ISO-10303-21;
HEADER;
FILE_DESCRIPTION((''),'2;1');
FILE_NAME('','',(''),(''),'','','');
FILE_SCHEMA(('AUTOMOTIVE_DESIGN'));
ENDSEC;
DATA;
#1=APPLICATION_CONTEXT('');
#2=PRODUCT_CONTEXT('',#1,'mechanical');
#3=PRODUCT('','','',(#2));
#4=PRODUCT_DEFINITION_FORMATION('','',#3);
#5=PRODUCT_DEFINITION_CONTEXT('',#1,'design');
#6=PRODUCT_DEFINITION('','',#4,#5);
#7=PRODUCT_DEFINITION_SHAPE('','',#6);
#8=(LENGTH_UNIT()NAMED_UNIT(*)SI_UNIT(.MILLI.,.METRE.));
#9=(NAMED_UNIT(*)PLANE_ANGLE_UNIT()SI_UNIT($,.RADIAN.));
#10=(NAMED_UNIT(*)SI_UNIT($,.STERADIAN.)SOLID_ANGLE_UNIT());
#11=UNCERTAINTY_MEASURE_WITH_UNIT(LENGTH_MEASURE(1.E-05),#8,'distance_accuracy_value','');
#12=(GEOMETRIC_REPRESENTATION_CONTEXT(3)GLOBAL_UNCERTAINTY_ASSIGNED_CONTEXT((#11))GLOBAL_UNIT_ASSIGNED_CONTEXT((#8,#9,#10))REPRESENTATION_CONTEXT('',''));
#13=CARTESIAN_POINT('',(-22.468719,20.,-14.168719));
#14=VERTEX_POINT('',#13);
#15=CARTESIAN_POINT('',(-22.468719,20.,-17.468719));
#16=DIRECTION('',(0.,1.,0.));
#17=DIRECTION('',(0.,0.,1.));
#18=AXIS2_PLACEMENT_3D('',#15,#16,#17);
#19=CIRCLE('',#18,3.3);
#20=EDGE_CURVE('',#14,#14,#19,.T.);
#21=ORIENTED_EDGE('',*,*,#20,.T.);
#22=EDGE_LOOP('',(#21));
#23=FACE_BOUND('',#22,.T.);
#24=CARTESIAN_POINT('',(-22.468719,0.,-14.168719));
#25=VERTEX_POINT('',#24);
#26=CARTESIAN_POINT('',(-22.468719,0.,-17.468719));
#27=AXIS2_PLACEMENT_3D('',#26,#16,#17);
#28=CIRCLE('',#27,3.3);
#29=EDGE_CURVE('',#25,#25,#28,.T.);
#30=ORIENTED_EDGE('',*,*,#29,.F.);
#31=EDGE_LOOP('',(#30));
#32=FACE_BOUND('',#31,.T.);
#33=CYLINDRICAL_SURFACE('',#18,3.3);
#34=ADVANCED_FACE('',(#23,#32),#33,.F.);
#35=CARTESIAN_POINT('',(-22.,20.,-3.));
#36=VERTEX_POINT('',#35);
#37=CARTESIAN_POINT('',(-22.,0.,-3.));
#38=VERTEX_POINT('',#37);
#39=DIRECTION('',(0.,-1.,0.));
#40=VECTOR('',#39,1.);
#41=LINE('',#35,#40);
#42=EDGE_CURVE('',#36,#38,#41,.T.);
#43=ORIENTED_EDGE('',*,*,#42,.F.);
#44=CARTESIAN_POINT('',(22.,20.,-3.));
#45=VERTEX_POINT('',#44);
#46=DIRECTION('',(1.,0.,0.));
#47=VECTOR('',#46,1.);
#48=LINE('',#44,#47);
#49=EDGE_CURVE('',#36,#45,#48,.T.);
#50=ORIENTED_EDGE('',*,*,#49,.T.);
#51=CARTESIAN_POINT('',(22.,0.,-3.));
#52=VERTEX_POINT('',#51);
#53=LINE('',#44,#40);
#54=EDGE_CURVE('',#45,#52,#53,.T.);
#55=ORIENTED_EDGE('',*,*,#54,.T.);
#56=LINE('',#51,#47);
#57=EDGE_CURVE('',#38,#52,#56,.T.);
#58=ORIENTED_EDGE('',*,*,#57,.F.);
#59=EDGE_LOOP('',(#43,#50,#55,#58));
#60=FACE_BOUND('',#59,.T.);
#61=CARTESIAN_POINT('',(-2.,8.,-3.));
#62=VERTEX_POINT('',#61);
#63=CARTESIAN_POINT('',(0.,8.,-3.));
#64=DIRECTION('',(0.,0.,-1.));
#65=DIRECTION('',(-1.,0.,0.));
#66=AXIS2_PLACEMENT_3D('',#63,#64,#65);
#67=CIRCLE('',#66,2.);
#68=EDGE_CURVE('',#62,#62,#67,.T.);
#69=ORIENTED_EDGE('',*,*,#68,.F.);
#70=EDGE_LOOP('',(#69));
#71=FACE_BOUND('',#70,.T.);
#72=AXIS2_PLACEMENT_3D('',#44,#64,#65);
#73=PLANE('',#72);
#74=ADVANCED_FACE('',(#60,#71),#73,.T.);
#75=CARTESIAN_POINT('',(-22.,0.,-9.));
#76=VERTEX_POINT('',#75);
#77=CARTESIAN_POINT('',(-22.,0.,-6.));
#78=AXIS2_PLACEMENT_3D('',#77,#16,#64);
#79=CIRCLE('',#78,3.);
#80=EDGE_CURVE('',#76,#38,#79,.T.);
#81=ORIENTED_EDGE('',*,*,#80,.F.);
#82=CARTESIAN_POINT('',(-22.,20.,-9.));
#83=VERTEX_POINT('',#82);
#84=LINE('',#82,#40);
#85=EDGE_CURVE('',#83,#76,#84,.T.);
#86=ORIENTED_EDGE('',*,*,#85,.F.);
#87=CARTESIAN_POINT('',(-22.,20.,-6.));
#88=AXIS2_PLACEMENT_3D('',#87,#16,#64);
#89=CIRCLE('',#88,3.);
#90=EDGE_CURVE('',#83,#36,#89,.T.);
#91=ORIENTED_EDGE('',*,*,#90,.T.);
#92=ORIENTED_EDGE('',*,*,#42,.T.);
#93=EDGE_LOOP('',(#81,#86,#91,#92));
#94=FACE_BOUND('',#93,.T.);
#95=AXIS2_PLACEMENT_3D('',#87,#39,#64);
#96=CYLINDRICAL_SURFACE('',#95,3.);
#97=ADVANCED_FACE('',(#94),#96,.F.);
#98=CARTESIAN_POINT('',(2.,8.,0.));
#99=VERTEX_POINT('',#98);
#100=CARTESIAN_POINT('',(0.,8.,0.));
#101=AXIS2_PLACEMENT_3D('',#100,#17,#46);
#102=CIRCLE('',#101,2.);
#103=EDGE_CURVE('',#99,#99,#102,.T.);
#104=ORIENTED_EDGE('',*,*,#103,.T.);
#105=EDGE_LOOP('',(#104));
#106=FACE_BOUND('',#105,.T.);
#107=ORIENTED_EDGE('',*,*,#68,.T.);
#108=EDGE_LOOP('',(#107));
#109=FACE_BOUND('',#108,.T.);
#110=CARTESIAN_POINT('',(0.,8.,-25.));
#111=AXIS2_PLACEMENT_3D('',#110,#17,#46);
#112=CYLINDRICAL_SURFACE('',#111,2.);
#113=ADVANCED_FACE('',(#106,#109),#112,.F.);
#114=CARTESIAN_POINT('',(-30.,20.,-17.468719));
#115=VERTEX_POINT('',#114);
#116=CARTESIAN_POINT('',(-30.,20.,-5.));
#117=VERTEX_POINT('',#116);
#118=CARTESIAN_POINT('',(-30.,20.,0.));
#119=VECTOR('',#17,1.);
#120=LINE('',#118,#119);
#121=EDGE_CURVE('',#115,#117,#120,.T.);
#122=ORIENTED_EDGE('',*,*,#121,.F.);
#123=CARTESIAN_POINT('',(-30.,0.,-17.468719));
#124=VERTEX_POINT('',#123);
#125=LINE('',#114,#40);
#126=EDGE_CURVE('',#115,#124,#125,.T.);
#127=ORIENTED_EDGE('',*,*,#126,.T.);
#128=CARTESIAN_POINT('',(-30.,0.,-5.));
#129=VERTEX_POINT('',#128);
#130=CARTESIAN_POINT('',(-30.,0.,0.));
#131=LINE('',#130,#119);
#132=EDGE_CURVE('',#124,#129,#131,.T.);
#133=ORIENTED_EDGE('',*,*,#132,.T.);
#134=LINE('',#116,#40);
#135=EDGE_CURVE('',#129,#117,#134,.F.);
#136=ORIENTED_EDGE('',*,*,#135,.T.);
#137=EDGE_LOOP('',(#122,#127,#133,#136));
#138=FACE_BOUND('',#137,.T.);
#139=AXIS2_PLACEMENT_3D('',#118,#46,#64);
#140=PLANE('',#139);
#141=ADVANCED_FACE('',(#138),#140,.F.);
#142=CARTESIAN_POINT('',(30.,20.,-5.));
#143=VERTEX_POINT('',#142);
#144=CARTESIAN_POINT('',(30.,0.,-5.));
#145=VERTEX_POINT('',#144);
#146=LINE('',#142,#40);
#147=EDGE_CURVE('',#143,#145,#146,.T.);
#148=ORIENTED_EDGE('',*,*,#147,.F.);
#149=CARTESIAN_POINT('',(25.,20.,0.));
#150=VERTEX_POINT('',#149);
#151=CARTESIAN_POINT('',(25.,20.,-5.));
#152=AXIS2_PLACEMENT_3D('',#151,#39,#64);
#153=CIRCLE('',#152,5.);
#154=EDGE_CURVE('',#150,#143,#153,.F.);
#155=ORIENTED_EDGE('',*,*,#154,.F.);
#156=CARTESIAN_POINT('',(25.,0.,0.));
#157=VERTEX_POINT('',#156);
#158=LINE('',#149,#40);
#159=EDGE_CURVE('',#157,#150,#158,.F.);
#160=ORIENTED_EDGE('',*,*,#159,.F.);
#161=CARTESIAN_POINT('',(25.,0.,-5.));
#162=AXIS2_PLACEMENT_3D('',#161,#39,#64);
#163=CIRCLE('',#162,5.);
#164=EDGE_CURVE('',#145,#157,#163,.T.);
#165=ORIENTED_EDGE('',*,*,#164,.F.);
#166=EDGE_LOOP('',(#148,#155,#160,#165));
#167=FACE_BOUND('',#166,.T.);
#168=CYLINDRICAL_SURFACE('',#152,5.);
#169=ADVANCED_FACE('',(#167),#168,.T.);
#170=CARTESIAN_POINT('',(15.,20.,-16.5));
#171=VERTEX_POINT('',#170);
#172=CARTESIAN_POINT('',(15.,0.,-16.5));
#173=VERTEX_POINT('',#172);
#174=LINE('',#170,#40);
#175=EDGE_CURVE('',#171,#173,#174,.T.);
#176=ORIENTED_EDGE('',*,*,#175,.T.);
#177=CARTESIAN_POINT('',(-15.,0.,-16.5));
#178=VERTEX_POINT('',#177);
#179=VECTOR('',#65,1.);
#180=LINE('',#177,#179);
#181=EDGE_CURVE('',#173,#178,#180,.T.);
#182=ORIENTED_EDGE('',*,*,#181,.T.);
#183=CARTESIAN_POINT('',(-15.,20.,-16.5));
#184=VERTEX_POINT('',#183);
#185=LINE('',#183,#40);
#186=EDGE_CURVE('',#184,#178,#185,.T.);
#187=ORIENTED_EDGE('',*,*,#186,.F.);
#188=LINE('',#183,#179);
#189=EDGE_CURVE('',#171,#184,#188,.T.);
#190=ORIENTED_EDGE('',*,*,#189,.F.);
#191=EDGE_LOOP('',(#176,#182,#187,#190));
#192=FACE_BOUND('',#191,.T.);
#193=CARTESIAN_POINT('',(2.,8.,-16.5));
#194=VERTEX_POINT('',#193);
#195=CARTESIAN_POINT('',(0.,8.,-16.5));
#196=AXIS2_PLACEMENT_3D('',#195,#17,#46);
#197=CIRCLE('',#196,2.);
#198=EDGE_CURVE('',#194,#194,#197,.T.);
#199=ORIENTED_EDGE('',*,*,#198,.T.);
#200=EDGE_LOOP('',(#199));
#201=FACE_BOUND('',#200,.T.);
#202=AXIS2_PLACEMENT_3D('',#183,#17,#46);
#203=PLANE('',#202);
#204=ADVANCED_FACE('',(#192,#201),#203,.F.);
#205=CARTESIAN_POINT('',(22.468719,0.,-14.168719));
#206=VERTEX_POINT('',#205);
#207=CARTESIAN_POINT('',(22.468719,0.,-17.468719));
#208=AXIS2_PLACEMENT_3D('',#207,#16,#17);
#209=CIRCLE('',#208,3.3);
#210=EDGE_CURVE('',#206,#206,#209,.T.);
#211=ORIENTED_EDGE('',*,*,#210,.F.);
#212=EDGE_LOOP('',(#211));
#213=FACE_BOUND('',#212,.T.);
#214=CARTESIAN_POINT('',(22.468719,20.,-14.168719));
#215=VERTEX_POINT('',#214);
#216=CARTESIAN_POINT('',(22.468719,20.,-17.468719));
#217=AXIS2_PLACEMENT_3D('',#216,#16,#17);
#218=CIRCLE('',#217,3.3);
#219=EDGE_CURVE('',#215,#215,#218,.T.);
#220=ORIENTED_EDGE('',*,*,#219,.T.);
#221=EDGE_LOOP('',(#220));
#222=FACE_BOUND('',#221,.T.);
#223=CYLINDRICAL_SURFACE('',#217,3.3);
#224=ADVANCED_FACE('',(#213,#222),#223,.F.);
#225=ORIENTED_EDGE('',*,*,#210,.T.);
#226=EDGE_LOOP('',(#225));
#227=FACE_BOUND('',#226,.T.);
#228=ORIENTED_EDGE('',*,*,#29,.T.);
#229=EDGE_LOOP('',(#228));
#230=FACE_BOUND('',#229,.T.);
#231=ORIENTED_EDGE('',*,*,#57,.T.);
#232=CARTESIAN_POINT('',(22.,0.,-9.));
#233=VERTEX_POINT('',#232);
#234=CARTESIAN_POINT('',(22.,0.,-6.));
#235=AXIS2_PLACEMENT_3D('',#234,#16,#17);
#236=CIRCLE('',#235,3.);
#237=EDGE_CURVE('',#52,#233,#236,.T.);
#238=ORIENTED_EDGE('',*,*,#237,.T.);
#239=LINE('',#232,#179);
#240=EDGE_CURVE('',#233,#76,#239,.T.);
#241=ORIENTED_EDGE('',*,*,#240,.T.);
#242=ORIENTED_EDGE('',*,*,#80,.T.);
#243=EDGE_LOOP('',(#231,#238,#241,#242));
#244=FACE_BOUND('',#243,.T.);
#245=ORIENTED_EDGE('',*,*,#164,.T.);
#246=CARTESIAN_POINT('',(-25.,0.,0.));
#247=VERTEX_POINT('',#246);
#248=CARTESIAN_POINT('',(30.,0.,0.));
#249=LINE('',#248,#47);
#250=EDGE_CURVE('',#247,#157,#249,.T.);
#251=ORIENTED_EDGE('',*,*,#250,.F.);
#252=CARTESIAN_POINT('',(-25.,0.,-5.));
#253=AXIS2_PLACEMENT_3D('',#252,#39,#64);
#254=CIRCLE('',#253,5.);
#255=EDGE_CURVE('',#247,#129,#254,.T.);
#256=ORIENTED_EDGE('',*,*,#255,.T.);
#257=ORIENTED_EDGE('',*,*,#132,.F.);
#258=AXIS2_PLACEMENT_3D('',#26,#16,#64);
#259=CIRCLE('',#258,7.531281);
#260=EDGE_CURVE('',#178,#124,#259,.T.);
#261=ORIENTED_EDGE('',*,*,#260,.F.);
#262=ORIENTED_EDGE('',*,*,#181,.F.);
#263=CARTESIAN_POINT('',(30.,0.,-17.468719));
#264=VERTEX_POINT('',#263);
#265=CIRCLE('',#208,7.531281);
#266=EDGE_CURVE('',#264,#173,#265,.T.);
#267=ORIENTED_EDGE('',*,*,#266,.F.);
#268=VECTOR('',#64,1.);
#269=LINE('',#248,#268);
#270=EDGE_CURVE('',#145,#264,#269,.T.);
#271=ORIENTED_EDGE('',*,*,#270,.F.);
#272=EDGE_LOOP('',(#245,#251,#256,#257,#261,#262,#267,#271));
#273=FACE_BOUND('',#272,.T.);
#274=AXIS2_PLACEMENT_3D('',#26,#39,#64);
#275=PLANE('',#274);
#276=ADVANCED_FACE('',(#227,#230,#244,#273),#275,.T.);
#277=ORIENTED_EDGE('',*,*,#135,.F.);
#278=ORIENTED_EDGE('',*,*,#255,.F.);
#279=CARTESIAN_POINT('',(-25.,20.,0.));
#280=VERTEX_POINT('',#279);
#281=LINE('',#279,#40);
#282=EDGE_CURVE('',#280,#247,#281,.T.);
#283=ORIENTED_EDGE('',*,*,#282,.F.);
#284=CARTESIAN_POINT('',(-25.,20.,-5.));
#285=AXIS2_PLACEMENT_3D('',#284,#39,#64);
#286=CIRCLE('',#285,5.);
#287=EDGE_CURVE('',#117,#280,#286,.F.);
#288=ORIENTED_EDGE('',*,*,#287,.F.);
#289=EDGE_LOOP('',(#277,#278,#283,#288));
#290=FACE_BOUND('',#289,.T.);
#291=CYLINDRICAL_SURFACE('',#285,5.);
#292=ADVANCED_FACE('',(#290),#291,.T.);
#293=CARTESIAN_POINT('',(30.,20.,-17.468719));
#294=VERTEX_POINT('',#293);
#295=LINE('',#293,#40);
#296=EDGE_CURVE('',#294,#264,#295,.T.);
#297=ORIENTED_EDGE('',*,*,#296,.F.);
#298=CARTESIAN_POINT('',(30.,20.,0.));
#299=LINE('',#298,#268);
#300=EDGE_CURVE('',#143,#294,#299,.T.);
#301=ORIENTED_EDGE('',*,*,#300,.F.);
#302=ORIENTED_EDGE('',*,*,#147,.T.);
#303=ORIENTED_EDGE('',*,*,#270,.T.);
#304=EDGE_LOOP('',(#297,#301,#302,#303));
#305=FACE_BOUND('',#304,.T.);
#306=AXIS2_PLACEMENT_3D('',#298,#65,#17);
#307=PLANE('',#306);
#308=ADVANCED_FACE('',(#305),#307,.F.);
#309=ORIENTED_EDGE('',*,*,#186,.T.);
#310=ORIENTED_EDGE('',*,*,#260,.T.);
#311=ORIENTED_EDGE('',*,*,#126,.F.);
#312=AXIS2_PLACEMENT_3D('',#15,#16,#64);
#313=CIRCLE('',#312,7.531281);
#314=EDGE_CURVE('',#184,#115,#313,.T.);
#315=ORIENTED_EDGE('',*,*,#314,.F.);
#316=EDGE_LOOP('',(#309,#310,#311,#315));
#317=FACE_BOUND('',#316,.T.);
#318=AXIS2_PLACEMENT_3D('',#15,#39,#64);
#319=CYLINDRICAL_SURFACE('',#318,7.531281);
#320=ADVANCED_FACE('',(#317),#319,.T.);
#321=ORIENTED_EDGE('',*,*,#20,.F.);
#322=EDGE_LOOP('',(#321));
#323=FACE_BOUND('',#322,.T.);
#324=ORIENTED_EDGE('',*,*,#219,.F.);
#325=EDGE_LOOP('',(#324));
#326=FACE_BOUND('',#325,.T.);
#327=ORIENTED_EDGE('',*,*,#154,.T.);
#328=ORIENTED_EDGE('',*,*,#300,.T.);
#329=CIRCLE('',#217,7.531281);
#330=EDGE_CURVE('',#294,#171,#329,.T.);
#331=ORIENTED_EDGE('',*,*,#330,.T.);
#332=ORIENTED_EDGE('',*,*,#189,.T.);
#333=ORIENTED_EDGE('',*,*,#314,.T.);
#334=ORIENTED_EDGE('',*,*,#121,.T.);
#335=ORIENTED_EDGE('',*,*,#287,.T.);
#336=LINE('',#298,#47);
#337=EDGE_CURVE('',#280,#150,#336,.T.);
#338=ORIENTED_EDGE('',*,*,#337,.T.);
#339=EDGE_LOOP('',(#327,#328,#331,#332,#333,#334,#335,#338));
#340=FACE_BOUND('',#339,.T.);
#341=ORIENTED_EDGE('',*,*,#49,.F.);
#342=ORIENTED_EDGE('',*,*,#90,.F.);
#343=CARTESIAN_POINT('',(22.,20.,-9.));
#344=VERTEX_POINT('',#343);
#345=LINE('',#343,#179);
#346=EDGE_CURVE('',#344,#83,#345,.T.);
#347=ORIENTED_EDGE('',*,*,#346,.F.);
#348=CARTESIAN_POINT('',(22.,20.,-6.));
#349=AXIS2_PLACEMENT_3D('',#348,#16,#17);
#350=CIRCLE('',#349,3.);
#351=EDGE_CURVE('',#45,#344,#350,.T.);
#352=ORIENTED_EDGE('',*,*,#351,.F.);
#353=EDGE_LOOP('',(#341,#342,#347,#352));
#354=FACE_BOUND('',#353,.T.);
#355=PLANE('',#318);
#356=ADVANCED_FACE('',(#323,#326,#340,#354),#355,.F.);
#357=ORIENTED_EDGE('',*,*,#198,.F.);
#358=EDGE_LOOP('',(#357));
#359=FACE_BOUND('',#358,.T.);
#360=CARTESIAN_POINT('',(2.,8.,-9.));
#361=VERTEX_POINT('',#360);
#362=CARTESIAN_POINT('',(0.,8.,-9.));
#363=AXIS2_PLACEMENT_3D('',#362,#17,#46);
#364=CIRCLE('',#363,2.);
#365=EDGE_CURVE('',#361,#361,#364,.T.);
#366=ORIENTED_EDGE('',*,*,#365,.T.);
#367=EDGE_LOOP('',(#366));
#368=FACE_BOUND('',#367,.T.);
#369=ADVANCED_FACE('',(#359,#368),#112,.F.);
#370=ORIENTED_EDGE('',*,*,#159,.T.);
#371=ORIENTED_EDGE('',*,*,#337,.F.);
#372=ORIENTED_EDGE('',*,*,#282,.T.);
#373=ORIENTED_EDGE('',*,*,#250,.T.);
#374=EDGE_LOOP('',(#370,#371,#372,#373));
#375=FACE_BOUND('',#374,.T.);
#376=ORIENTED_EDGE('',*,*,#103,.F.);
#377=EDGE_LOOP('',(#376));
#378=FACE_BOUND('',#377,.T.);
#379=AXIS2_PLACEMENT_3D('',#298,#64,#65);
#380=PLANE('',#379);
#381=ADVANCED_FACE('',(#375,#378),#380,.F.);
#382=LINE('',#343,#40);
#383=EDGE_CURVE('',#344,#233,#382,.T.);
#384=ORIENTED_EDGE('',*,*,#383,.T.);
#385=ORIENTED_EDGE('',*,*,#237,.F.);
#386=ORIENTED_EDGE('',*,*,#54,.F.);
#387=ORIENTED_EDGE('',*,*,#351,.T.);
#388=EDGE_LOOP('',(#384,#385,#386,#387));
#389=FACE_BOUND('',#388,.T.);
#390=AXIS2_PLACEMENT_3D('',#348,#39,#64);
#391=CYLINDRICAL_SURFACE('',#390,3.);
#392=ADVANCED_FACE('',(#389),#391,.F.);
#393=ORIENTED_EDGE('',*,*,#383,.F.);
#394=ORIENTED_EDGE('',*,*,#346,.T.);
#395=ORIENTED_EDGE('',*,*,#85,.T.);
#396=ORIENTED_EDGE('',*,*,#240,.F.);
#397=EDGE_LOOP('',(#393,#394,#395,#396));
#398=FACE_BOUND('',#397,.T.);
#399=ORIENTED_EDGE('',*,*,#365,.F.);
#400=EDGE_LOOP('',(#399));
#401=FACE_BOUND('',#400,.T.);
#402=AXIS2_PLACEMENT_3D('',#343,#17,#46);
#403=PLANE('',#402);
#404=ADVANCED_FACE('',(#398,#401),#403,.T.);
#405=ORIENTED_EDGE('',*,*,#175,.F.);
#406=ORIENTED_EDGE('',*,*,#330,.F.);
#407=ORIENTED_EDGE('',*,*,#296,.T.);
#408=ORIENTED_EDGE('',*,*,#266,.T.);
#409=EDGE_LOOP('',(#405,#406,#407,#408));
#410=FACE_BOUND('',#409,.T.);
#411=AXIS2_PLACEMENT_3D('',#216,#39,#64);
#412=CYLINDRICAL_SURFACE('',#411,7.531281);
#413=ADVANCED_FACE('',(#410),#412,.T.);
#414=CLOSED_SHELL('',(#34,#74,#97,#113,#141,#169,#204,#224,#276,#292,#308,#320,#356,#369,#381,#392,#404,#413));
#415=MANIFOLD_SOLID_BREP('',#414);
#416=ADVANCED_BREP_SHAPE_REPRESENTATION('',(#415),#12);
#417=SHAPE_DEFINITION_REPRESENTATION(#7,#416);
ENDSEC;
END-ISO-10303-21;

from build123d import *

# Parameters (mm, degrees)
ESQUISSE1_R             = 3
BOSS_EXTRU_1_DEPTH      = 20
ESQUISSE2_R             = 2
ENL_V_MAT_EXTRU_1_DEPTH = 44.874821937
CONG_1_R                = 5
D_GAGEMENT_M61_D        = 6.6


with BuildPart() as part:
    # Esquisse1 → Boss.-Extru.1 (new body)
    with BuildSketch(Plane(origin=(0, 0, 0), x_dir=(1, 0, 0), z_dir=(0, 1, 0))):
        with BuildLine():
            Line((30, 0), (-30, 0))
            Line((-30, 0), (-30, 17.468719423))
            ThreePointArc((-30, 17.468719423), (-21.983350692, 24.984343437), (-15, 16.5))
            Line((-15, 16.5), (15, 16.5))
            ThreePointArc((15, 16.5), (21.983350692, 24.984343437), (30, 17.468719423))
            Line((30, 17.468719423), (30, 0))
        make_face()
        with Locations(Location((-22.468719423, 17.468719423, 0), (0, 0, 270))):
            Circle(ESQUISSE1_R, mode=Mode.SUBTRACT)
        with Locations(Location((22.468719423, 17.468719423, 0), (0, 0, 90))):
            Circle(ESQUISSE1_R, mode=Mode.SUBTRACT)
        with BuildLine():
            Line((22, 3), (-22, 3))
            ThreePointArc((-22, 3), (-25, 6), (-22, 9))
            Line((-22, 9), (22, 9))
            ThreePointArc((22, 9), (25, 6), (22, 3))
        make_face(mode=Mode.SUBTRACT)
    extrude(amount=BOSS_EXTRU_1_DEPTH)

    # Esquisse2 → Enlèv. mat.-Extru.1 (cut, through all)
    with BuildSketch(Plane.XY):
        with Locations((0, 8)):
            Circle(ESQUISSE2_R)
    extrude(amount=-ENL_V_MAT_EXTRU_1_DEPTH, mode=Mode.SUBTRACT)

    # Congé1
    cong_1_edges = [part.edges().sort_by_distance(p)[0] for p in [
        (30, 10, 0),
        (-30, 10, 0),
    ]]
    fillet(cong_1_edges, radius=CONG_1_R)

    # Dégagement M61 (through all)
    with Locations(Plane(origin=(0, 20, 0), x_dir=(1, 0, 0), z_dir=(0, 1, 0))):
        with Locations((-22.468719423, 17.468719423), (22.468719423, 17.468719423)):
            Hole(D_GAGEMENT_M61_D / 2)


solid = part.part
